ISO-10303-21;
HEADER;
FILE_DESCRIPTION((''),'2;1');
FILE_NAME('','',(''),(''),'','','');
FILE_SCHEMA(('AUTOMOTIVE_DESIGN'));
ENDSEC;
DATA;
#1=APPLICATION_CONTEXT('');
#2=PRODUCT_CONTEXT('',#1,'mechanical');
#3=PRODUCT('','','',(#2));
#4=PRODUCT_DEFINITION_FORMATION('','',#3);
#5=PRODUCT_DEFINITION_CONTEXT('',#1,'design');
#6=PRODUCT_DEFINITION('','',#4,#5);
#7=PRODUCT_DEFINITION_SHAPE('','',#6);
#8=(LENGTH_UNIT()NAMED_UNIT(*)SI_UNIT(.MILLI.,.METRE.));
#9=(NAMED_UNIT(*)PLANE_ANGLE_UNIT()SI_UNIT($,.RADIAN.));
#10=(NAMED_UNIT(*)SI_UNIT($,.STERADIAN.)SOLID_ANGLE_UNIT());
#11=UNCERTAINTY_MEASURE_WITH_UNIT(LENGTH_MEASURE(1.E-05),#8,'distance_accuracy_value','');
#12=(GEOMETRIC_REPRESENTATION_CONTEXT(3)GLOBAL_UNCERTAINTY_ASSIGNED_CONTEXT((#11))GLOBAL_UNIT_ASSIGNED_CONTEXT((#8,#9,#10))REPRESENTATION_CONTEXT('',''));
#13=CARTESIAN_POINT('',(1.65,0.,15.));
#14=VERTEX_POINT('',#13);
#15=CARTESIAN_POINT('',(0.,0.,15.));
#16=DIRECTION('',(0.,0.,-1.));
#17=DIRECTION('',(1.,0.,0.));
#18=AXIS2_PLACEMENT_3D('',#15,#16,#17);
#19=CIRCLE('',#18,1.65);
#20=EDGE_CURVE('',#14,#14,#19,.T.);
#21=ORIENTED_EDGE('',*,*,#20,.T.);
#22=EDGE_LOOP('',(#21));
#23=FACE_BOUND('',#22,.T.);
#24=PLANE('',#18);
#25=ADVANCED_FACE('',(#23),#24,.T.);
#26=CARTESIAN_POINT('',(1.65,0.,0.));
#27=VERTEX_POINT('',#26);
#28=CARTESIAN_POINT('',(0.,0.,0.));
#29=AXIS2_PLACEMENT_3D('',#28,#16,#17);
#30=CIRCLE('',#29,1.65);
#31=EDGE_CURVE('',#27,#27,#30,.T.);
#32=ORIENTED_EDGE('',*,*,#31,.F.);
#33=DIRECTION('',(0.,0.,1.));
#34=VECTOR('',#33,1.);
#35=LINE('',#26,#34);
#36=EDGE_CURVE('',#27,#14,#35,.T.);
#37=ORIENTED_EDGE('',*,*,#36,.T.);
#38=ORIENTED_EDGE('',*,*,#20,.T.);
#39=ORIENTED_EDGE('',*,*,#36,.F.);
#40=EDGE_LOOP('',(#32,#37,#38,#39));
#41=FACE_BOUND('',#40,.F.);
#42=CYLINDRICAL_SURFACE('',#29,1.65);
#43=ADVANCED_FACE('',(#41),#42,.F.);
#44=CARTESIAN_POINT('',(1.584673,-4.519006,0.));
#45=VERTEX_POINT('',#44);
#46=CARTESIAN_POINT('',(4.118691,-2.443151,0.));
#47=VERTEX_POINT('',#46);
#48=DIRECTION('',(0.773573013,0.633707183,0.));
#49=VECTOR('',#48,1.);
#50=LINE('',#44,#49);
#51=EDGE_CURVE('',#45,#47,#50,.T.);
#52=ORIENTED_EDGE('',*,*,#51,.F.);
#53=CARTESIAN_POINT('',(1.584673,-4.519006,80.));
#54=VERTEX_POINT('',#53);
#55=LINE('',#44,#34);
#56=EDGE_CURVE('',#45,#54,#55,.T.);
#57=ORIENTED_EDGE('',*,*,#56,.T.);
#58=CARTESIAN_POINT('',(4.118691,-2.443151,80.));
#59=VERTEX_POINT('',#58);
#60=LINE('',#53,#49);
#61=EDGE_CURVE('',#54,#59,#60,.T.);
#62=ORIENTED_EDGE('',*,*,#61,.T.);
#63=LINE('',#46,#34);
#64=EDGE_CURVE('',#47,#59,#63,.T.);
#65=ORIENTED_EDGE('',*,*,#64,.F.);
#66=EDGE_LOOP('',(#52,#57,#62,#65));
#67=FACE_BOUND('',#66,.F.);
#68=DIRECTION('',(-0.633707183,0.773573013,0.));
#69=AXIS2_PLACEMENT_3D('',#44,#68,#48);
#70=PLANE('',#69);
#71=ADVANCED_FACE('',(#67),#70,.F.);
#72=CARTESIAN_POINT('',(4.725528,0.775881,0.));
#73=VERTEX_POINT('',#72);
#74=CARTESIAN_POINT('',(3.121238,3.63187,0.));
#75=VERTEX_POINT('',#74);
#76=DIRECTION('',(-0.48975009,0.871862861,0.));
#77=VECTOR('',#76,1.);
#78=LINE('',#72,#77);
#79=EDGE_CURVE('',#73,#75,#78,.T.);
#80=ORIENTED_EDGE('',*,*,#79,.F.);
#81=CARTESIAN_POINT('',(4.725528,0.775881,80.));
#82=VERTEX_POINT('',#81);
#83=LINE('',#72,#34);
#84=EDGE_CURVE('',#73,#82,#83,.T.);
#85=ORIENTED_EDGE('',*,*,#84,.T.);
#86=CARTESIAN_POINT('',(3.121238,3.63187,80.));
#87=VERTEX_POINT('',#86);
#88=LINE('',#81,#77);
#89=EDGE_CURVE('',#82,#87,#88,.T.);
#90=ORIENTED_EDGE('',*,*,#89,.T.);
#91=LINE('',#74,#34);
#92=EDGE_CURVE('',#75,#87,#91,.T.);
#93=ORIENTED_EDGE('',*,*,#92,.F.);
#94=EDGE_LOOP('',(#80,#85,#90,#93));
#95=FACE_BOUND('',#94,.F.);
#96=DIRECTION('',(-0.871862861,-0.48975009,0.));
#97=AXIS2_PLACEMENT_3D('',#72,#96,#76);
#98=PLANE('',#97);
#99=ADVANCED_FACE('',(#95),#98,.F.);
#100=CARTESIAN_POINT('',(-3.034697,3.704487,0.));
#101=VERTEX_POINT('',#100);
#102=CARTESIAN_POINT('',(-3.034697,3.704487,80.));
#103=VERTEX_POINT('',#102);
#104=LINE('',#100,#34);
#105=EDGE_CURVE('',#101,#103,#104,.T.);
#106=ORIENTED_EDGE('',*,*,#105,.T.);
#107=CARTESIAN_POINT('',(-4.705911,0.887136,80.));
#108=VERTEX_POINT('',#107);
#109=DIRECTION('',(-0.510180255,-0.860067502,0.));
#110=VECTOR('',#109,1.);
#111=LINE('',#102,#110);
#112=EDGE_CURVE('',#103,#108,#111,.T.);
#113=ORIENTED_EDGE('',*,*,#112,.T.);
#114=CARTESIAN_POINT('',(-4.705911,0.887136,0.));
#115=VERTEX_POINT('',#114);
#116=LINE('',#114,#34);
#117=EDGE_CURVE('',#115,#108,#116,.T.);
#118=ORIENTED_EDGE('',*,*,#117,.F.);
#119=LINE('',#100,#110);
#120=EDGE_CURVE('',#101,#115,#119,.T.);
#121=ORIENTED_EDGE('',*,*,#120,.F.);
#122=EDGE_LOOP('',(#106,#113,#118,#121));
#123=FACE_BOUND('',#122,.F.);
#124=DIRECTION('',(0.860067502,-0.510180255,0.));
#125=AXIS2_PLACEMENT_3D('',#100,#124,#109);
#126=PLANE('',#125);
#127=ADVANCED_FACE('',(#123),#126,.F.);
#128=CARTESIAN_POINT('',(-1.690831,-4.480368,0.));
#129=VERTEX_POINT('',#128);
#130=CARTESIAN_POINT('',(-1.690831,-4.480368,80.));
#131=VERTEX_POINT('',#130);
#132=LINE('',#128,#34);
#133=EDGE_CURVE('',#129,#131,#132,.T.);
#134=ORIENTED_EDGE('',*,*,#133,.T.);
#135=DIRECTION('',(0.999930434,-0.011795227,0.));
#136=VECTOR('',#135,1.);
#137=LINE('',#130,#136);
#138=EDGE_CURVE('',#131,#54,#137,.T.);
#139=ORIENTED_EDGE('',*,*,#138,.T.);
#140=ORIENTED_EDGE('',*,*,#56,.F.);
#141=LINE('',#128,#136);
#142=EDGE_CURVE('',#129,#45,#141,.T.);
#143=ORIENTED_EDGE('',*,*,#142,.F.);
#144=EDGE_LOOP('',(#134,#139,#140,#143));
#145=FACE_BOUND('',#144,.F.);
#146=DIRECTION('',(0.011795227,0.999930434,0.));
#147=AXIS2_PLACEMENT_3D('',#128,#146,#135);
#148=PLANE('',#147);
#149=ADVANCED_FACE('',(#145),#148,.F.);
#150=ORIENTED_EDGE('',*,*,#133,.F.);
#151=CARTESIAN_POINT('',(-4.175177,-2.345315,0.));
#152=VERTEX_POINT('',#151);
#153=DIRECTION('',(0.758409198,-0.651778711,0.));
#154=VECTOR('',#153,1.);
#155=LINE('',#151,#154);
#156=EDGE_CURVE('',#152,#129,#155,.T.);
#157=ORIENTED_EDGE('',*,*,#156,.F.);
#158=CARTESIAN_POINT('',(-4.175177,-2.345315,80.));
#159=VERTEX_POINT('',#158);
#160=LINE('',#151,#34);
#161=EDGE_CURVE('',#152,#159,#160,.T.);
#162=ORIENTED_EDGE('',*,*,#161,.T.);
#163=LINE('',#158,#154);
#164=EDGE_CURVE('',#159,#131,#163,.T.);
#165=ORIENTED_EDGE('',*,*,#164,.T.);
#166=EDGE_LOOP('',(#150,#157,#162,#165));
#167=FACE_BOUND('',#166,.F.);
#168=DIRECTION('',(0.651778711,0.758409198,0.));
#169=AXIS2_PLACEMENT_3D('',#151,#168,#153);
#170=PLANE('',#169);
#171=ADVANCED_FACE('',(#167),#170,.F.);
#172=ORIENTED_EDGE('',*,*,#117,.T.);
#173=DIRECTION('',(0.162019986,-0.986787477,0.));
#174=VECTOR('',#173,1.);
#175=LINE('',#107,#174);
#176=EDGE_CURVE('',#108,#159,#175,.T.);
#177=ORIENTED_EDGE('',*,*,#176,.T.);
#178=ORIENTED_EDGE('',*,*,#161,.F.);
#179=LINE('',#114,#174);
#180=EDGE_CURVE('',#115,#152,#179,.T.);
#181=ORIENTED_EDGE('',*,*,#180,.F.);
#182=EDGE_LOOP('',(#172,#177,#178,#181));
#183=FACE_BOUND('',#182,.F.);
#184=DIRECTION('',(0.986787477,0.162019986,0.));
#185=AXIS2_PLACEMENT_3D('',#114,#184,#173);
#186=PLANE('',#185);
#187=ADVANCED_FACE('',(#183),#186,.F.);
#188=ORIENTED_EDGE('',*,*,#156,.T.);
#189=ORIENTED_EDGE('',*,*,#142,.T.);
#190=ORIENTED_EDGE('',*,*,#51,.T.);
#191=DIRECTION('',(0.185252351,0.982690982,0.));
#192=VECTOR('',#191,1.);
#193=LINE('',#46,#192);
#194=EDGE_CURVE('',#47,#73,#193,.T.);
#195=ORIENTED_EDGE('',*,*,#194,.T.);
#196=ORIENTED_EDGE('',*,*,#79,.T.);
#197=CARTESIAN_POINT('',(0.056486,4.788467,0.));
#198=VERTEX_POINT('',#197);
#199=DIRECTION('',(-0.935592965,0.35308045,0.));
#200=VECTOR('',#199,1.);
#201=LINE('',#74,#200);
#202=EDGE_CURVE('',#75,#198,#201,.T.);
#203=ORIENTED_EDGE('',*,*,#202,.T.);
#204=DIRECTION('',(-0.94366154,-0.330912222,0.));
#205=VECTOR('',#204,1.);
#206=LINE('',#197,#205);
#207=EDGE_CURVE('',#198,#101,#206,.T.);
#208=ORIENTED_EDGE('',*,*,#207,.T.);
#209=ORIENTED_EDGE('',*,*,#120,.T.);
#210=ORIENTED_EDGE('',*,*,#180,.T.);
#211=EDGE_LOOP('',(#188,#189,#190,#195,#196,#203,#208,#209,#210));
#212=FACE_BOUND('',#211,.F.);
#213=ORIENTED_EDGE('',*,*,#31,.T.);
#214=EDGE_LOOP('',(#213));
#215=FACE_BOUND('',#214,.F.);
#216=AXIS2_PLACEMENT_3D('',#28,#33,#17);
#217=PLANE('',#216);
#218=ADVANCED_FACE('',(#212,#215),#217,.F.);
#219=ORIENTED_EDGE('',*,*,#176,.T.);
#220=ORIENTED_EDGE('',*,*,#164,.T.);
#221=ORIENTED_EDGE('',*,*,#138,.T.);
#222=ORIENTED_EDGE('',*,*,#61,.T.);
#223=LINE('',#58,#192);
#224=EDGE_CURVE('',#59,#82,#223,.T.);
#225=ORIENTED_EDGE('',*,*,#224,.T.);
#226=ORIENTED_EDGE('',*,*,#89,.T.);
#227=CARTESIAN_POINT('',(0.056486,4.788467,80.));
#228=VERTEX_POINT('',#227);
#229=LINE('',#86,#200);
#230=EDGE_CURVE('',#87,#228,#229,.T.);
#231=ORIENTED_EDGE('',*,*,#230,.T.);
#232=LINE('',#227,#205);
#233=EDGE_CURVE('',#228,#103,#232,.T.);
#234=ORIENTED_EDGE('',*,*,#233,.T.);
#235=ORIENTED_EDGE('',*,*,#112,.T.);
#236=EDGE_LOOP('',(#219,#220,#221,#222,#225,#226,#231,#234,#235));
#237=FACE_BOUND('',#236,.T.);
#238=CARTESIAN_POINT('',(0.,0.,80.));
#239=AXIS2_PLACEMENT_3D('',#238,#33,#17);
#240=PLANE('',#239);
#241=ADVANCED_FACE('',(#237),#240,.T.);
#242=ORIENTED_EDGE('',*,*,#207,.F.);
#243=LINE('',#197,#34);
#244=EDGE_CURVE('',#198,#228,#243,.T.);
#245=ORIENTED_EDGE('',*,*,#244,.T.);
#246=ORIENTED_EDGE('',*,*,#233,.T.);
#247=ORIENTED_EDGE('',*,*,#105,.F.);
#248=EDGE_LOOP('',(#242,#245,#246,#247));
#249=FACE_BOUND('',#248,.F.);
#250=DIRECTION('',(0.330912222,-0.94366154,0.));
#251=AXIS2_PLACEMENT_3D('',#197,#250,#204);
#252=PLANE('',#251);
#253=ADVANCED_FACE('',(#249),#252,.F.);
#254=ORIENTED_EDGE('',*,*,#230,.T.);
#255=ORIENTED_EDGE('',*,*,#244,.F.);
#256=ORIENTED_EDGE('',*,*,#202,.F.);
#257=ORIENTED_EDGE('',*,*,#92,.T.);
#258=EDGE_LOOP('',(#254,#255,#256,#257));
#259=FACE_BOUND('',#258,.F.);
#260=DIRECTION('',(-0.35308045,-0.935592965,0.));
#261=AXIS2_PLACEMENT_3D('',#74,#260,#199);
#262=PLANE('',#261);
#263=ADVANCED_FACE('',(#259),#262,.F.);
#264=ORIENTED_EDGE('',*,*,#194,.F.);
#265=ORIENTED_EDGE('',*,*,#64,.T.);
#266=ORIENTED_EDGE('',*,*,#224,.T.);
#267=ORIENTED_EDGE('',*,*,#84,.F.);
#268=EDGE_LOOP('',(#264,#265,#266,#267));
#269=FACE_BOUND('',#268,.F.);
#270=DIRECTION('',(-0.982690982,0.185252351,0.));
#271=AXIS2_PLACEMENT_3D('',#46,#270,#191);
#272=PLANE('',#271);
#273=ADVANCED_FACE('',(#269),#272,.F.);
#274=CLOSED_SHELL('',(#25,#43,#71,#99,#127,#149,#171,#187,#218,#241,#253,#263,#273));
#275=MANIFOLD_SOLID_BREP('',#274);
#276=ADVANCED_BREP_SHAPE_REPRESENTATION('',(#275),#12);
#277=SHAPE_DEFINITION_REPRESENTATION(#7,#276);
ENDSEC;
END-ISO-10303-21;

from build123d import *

# Parameters (mm, degrees)
F1_DEPTH = 80
F2_R     = 1.65
F3_DEPTH = 15


with BuildPart() as f1:
    # F0 (on Top) → F1 (new body)
    with BuildSketch(Plane.XY):
        Polygon((4.725528, 0.775881), (3.121238, 3.63187), (0.056486, 4.788467), (-3.034697, 3.704487), (-4.705911, 0.887136), (-4.175177, -2.345315), (-1.690831, -4.480368), (1.584673, -4.519006), (4.118691, -2.443151), align=None)
    extrude(amount=F1_DEPTH)

    # F2 (on face) → F3 (cut)
    with BuildSketch(Plane(origin=(0, 0, 0), x_dir=(1, 0, 0), z_dir=(0, 0, -1))):
        Circle(F2_R)
    extrude(amount=-F3_DEPTH, mode=Mode.SUBTRACT)


solid = f1.part
